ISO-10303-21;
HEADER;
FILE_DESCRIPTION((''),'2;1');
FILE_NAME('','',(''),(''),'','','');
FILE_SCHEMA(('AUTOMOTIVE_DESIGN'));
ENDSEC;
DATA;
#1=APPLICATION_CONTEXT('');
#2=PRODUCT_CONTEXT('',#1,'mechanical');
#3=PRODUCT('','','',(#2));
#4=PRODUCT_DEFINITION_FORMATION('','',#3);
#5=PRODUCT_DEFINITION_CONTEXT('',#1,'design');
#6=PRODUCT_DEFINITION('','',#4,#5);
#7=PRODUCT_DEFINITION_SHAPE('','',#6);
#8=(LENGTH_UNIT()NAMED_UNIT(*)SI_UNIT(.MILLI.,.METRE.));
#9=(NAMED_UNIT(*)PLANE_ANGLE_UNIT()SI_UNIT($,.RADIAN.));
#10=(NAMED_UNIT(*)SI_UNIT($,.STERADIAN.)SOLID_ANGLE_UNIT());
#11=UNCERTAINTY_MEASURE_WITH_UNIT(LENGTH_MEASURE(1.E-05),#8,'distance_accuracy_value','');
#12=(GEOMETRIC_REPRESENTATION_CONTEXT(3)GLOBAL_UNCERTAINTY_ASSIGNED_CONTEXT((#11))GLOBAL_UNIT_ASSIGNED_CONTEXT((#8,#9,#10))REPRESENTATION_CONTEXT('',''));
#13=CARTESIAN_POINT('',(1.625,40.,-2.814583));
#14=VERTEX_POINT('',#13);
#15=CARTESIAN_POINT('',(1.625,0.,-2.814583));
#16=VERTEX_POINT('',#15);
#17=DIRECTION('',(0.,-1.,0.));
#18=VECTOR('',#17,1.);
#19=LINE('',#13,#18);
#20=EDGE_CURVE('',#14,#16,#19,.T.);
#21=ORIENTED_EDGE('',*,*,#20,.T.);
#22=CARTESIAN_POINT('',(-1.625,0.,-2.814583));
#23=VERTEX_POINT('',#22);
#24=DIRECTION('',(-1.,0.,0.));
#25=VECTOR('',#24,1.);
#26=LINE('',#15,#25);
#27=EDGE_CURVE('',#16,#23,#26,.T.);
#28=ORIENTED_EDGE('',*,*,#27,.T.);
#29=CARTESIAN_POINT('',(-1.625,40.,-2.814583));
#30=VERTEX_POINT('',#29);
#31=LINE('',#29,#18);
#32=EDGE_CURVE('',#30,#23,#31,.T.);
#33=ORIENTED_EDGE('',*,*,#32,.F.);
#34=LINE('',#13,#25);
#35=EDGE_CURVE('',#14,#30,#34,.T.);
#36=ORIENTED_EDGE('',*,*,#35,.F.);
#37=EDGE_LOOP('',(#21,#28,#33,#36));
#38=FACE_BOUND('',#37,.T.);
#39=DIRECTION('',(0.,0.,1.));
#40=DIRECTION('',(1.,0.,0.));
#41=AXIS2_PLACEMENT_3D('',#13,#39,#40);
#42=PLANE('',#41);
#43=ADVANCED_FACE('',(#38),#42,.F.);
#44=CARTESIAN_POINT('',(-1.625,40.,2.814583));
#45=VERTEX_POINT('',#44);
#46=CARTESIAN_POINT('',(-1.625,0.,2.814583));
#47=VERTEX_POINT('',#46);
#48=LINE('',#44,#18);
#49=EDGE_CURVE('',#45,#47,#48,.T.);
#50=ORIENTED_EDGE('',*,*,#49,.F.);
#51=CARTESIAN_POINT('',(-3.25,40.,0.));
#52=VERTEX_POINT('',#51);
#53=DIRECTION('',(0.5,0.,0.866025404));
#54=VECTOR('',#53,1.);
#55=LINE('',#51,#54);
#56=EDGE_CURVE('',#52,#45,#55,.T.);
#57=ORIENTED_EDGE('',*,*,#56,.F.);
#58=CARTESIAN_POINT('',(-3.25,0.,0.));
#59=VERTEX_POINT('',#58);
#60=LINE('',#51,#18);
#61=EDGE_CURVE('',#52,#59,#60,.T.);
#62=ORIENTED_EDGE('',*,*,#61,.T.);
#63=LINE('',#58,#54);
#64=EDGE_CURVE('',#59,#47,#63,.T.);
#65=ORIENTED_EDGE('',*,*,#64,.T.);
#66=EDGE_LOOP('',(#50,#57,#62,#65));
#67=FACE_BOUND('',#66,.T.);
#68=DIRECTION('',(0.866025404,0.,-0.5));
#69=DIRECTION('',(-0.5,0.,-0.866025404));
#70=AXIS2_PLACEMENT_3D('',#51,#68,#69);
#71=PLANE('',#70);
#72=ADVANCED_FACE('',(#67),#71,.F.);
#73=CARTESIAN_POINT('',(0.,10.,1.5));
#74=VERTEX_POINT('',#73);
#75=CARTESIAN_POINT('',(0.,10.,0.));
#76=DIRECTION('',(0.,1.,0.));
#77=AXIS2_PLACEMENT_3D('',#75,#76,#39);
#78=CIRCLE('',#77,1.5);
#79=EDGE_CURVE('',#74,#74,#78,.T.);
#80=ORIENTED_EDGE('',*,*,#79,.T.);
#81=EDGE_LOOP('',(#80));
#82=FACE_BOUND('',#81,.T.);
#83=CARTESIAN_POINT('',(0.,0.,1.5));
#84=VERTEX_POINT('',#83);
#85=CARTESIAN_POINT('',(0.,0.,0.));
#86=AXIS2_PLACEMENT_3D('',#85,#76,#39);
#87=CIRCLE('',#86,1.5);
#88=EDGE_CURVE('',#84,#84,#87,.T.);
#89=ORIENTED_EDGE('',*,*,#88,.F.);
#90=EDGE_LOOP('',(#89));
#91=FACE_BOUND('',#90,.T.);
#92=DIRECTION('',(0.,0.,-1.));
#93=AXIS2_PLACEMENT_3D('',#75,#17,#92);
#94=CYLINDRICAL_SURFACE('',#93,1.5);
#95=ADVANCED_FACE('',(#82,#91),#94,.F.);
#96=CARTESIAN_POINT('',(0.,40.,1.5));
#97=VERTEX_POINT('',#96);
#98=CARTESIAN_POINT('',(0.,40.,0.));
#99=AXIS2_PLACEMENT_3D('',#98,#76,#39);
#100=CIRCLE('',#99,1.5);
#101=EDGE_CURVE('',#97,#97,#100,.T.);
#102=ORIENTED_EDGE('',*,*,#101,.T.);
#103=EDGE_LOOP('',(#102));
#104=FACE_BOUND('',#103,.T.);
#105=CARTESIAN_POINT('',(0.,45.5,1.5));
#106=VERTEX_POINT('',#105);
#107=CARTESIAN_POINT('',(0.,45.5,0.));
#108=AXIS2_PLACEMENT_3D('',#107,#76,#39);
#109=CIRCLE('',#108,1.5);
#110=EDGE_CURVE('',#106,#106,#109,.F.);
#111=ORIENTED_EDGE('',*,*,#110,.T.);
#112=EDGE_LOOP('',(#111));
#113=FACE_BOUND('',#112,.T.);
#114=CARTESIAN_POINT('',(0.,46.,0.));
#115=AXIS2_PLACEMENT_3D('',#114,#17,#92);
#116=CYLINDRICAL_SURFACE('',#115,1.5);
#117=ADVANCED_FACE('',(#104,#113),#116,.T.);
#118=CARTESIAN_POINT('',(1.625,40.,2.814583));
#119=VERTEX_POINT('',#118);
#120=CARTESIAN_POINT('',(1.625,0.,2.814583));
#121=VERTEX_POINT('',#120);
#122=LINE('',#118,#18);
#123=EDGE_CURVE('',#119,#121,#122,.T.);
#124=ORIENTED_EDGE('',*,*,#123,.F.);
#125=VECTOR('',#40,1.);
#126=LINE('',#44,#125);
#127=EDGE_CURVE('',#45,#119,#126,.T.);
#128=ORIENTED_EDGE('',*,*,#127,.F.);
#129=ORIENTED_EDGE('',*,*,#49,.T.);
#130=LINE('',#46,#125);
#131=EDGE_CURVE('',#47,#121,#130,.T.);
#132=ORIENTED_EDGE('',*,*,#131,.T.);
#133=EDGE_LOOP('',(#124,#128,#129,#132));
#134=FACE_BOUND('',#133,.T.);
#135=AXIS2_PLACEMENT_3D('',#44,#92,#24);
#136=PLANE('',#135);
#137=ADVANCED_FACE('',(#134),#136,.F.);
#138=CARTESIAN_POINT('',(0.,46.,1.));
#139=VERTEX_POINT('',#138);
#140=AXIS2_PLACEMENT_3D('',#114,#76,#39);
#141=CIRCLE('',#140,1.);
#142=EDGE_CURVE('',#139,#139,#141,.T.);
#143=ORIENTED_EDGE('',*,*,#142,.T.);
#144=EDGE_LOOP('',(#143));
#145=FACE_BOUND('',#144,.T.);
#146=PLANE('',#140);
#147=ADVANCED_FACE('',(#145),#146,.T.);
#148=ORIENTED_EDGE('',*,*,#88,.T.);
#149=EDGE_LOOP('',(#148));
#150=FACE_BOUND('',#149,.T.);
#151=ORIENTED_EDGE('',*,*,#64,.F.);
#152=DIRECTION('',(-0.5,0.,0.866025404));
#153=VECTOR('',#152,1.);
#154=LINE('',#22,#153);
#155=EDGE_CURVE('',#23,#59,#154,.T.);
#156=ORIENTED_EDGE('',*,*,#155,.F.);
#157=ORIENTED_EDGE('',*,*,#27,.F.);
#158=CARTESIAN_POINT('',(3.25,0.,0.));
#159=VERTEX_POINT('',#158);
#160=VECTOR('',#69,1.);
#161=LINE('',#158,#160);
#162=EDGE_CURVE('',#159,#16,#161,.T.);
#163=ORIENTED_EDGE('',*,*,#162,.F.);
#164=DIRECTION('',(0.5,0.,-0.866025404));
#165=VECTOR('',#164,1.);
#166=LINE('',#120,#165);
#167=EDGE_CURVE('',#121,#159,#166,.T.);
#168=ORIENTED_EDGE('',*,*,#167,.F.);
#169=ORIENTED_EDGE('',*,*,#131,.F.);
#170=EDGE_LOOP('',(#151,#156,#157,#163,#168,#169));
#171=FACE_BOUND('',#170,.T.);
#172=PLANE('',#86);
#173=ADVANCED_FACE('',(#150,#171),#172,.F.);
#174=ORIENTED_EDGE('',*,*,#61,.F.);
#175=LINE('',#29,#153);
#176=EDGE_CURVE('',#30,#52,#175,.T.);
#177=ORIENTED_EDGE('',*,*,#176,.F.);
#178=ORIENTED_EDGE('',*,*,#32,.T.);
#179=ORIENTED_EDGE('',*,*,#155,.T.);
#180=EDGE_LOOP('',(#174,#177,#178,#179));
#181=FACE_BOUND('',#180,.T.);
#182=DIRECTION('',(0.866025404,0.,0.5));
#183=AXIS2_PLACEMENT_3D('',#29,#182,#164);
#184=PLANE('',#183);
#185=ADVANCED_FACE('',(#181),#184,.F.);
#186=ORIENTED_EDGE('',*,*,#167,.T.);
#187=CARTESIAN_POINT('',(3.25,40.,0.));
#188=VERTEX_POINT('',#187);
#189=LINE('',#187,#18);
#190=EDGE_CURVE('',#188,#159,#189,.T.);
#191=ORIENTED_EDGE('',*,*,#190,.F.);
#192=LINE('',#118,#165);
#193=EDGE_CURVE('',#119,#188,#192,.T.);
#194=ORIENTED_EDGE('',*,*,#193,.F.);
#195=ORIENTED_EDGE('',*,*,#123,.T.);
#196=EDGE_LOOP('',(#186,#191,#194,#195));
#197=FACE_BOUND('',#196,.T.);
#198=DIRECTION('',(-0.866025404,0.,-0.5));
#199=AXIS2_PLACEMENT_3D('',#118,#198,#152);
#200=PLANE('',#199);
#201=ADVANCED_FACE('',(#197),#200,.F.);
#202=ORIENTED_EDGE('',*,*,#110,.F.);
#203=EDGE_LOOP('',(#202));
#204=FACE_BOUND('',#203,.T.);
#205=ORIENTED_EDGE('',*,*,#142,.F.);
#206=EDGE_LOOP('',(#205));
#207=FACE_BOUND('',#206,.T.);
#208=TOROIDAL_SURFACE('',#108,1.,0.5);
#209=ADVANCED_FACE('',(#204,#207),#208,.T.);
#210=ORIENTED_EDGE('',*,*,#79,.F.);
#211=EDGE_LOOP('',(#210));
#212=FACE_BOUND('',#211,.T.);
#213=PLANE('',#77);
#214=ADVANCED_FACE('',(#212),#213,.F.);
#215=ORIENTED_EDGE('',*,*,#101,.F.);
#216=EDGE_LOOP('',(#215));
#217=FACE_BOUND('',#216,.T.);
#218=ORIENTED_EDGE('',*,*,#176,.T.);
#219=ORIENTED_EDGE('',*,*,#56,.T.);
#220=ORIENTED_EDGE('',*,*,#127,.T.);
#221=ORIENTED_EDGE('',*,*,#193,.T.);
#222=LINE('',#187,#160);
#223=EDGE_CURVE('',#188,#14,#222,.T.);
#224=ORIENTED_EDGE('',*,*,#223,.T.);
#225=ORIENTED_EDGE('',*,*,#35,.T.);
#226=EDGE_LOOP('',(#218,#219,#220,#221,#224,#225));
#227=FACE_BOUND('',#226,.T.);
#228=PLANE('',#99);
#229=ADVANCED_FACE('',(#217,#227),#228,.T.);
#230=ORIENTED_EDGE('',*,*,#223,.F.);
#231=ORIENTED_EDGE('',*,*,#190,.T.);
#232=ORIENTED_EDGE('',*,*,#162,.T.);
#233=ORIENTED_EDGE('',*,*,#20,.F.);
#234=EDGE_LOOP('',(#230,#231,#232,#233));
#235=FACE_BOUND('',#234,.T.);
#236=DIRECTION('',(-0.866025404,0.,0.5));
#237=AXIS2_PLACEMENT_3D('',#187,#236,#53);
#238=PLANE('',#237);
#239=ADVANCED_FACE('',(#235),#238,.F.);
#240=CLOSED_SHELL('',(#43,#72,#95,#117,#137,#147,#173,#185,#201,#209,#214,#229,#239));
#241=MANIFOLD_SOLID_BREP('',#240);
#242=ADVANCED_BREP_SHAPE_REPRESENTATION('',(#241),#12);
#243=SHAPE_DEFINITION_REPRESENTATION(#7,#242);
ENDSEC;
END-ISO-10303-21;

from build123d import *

# Parameters (mm, degrees)
SKETCH_1_R          = 1.5
EXTRUDE_1_DEPTH     = 46
FILLET_1_R          = 0.5
SKETCH_2_R          = 1.5
EXTRUDE_2_DEPTH     = 40
SKETCH_1_2_R        = 1.5
CUT_EXTRUDE_1_DEPTH = 10


with BuildPart() as part:
    # 草图1 → 凸台-拉伸1 (new body)
    with BuildSketch(Plane(origin=(0, 0, 0), x_dir=(1, 0, 0), z_dir=(0, 1, 0))):
        with Locations(Location((0, 0, 0), (0, 0, 270))):
            Circle(SKETCH_1_R)
    extrude(amount=EXTRUDE_1_DEPTH)

    # 圆角1
    fillet_1_edges = [part.edges().sort_by_distance(p)[0] for p in [
        (0, 46, -1.5),
    ]]
    fillet(fillet_1_edges, radius=FILLET_1_R)

    # 草图2 → 凸台-拉伸2 (add)
    with BuildSketch(Plane(origin=(0, 0, 0), x_dir=(1, 0, 0), z_dir=(0, 1, 0))):
        Polygon((-1.625, 2.814582562), (-3.25, 0), (-1.625, -2.814582562), (1.625, -2.814582562), (3.25, 0), (1.625, 2.814582562), align=None)
        with Locations(Location((0, 0, 0), (0, 0, 270))):
            Circle(SKETCH_2_R, mode=Mode.SUBTRACT)
    extrude(amount=EXTRUDE_2_DEPTH)

    # 草图1<2> → 切除-拉伸1 (cut)
    with BuildSketch(Plane(origin=(0, 0, 0), x_dir=(1, 0, 0), z_dir=(0, 1, 0))):
        with Locations(Location((0, 0, 0), (0, 0, 270))):
            Circle(SKETCH_1_2_R)
    extrude(amount=CUT_EXTRUDE_1_DEPTH, mode=Mode.SUBTRACT)


solid = part.part
